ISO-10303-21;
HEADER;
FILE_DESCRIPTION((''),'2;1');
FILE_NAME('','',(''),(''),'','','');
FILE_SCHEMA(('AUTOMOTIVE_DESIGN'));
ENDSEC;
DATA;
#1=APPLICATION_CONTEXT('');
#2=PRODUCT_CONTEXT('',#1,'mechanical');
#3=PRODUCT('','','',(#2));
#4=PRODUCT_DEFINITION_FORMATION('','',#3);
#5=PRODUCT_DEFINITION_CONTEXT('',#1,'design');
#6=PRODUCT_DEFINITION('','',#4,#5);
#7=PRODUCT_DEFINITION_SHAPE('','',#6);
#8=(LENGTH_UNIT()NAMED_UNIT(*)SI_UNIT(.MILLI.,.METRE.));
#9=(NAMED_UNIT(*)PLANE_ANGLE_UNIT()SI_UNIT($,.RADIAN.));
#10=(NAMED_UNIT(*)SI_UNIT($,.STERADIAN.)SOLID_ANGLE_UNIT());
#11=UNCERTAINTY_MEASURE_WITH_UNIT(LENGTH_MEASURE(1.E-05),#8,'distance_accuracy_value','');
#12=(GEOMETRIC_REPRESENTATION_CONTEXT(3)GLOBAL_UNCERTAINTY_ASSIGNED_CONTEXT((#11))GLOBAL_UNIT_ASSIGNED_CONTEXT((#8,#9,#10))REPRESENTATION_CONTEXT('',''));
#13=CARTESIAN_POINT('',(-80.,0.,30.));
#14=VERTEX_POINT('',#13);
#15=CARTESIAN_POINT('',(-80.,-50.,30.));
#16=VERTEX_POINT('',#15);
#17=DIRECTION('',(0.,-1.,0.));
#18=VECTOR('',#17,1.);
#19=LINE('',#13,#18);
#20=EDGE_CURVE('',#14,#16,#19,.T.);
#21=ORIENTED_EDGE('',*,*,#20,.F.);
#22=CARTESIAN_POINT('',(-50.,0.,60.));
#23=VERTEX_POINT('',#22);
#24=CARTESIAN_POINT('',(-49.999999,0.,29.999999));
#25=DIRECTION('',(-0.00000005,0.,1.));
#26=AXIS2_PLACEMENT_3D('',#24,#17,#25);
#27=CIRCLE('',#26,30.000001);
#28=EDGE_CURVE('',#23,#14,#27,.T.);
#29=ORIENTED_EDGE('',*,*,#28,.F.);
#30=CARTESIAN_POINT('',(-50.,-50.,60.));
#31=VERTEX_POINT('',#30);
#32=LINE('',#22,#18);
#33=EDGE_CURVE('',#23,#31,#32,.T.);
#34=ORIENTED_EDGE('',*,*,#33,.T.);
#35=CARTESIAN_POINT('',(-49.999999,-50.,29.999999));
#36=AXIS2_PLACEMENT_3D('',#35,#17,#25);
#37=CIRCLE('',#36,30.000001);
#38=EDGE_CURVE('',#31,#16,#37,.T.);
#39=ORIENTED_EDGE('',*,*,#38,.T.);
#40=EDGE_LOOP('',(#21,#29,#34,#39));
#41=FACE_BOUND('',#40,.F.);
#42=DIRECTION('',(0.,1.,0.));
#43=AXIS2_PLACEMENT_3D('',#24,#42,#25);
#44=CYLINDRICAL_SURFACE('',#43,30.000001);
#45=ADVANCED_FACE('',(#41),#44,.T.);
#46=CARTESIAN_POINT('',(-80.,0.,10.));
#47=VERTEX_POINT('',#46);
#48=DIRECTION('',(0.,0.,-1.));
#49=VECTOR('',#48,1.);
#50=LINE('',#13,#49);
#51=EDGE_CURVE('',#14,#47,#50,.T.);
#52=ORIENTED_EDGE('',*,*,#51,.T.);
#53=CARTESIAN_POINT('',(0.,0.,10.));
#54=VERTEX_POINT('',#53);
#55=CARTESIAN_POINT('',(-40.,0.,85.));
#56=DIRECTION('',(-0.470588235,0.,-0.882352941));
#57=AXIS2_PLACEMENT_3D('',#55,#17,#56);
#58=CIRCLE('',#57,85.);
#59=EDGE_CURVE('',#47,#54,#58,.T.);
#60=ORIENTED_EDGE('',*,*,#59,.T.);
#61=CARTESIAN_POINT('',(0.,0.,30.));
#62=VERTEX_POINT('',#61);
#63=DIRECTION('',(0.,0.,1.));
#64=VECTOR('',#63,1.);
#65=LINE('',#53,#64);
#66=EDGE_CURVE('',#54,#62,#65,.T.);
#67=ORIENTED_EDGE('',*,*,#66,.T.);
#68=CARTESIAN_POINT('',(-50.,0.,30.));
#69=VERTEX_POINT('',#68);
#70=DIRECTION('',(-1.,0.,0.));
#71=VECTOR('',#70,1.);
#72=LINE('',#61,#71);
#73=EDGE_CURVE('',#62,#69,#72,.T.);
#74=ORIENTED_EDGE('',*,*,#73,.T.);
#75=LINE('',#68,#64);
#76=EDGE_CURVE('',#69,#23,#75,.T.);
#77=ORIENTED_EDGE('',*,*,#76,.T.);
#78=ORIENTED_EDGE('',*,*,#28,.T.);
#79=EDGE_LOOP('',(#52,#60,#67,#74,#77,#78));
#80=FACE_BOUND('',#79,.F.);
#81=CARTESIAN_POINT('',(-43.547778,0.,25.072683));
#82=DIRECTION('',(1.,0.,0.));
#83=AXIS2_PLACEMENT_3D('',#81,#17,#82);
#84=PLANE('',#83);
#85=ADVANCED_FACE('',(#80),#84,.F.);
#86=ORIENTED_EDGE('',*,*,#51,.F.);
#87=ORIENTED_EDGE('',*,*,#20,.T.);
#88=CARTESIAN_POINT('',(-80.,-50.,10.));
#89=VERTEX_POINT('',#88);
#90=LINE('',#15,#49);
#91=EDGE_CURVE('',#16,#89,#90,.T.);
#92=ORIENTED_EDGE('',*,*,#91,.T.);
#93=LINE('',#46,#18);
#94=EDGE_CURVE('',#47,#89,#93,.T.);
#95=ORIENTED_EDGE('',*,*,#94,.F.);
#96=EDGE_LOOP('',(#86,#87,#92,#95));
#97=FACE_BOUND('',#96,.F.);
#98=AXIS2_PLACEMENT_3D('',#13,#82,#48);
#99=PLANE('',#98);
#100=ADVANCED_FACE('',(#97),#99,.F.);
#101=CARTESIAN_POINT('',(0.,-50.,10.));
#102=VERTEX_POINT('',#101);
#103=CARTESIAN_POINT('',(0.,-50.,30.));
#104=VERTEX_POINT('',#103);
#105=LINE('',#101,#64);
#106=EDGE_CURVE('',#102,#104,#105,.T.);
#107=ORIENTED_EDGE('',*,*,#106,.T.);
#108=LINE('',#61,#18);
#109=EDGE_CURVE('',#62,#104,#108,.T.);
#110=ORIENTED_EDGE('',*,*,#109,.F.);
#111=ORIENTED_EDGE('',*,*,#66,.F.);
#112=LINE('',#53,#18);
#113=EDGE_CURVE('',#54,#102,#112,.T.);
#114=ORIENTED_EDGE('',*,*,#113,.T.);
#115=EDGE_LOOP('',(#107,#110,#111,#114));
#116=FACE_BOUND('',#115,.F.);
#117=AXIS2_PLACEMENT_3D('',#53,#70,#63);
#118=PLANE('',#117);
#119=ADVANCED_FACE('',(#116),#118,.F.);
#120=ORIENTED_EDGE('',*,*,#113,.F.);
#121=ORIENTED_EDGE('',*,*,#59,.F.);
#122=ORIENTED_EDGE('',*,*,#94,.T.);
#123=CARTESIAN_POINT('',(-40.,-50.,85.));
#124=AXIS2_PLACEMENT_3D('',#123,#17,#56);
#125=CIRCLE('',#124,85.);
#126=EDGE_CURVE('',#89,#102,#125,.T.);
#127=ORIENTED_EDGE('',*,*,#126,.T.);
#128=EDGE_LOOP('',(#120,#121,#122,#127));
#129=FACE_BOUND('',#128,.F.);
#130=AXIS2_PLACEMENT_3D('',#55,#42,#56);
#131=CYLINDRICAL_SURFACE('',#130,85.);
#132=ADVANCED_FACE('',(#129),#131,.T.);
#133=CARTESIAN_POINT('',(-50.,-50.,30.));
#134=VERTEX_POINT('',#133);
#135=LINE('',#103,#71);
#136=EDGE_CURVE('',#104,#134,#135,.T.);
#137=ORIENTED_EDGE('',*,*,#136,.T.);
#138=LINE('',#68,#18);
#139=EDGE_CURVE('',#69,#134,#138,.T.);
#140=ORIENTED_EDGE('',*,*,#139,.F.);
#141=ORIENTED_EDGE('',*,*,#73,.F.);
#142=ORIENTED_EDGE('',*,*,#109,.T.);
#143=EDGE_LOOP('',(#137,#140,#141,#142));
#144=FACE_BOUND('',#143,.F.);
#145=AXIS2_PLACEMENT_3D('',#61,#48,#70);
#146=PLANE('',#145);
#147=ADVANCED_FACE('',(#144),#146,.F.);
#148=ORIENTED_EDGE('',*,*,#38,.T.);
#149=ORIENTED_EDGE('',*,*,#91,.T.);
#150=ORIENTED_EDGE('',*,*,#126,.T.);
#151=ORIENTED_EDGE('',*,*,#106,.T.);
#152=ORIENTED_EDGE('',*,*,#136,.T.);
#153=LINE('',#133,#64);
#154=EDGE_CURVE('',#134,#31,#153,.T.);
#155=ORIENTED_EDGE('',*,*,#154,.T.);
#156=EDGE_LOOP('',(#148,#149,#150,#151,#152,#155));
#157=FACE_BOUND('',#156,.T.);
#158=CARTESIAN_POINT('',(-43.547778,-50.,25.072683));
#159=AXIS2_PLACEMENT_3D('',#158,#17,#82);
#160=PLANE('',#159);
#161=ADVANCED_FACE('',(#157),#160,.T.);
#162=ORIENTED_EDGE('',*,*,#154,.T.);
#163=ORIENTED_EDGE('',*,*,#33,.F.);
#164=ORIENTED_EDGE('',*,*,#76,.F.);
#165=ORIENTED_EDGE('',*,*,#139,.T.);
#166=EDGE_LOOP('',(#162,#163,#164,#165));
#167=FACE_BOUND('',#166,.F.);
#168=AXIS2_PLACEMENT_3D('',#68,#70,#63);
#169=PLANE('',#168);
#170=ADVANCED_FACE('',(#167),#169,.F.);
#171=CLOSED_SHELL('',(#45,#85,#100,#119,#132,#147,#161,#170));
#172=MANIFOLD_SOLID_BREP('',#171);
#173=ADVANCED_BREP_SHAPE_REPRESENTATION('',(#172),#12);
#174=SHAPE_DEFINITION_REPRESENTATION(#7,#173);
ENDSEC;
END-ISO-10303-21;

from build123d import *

# Parameters (mm, degrees)
F1_DEPTH = 50


with BuildPart() as f1:
    # F0 (on Front) → F1 (new body)
    with BuildSketch(Plane.XZ):
        with BuildLine():
            Line((-50, 30), (-50, 60))
            ThreePointArc((-50, 60), (-71.213203, 51.213203), (-80, 30))
            Line((-80, 30), (-80, 10))
            ThreePointArc((-80, 10), (-40, 0), (0, 10))
            Line((0, 10), (0, 30))
            Line((0, 30), (-50, 30))
        make_face()
    extrude(amount=F1_DEPTH)


solid = f1.part
